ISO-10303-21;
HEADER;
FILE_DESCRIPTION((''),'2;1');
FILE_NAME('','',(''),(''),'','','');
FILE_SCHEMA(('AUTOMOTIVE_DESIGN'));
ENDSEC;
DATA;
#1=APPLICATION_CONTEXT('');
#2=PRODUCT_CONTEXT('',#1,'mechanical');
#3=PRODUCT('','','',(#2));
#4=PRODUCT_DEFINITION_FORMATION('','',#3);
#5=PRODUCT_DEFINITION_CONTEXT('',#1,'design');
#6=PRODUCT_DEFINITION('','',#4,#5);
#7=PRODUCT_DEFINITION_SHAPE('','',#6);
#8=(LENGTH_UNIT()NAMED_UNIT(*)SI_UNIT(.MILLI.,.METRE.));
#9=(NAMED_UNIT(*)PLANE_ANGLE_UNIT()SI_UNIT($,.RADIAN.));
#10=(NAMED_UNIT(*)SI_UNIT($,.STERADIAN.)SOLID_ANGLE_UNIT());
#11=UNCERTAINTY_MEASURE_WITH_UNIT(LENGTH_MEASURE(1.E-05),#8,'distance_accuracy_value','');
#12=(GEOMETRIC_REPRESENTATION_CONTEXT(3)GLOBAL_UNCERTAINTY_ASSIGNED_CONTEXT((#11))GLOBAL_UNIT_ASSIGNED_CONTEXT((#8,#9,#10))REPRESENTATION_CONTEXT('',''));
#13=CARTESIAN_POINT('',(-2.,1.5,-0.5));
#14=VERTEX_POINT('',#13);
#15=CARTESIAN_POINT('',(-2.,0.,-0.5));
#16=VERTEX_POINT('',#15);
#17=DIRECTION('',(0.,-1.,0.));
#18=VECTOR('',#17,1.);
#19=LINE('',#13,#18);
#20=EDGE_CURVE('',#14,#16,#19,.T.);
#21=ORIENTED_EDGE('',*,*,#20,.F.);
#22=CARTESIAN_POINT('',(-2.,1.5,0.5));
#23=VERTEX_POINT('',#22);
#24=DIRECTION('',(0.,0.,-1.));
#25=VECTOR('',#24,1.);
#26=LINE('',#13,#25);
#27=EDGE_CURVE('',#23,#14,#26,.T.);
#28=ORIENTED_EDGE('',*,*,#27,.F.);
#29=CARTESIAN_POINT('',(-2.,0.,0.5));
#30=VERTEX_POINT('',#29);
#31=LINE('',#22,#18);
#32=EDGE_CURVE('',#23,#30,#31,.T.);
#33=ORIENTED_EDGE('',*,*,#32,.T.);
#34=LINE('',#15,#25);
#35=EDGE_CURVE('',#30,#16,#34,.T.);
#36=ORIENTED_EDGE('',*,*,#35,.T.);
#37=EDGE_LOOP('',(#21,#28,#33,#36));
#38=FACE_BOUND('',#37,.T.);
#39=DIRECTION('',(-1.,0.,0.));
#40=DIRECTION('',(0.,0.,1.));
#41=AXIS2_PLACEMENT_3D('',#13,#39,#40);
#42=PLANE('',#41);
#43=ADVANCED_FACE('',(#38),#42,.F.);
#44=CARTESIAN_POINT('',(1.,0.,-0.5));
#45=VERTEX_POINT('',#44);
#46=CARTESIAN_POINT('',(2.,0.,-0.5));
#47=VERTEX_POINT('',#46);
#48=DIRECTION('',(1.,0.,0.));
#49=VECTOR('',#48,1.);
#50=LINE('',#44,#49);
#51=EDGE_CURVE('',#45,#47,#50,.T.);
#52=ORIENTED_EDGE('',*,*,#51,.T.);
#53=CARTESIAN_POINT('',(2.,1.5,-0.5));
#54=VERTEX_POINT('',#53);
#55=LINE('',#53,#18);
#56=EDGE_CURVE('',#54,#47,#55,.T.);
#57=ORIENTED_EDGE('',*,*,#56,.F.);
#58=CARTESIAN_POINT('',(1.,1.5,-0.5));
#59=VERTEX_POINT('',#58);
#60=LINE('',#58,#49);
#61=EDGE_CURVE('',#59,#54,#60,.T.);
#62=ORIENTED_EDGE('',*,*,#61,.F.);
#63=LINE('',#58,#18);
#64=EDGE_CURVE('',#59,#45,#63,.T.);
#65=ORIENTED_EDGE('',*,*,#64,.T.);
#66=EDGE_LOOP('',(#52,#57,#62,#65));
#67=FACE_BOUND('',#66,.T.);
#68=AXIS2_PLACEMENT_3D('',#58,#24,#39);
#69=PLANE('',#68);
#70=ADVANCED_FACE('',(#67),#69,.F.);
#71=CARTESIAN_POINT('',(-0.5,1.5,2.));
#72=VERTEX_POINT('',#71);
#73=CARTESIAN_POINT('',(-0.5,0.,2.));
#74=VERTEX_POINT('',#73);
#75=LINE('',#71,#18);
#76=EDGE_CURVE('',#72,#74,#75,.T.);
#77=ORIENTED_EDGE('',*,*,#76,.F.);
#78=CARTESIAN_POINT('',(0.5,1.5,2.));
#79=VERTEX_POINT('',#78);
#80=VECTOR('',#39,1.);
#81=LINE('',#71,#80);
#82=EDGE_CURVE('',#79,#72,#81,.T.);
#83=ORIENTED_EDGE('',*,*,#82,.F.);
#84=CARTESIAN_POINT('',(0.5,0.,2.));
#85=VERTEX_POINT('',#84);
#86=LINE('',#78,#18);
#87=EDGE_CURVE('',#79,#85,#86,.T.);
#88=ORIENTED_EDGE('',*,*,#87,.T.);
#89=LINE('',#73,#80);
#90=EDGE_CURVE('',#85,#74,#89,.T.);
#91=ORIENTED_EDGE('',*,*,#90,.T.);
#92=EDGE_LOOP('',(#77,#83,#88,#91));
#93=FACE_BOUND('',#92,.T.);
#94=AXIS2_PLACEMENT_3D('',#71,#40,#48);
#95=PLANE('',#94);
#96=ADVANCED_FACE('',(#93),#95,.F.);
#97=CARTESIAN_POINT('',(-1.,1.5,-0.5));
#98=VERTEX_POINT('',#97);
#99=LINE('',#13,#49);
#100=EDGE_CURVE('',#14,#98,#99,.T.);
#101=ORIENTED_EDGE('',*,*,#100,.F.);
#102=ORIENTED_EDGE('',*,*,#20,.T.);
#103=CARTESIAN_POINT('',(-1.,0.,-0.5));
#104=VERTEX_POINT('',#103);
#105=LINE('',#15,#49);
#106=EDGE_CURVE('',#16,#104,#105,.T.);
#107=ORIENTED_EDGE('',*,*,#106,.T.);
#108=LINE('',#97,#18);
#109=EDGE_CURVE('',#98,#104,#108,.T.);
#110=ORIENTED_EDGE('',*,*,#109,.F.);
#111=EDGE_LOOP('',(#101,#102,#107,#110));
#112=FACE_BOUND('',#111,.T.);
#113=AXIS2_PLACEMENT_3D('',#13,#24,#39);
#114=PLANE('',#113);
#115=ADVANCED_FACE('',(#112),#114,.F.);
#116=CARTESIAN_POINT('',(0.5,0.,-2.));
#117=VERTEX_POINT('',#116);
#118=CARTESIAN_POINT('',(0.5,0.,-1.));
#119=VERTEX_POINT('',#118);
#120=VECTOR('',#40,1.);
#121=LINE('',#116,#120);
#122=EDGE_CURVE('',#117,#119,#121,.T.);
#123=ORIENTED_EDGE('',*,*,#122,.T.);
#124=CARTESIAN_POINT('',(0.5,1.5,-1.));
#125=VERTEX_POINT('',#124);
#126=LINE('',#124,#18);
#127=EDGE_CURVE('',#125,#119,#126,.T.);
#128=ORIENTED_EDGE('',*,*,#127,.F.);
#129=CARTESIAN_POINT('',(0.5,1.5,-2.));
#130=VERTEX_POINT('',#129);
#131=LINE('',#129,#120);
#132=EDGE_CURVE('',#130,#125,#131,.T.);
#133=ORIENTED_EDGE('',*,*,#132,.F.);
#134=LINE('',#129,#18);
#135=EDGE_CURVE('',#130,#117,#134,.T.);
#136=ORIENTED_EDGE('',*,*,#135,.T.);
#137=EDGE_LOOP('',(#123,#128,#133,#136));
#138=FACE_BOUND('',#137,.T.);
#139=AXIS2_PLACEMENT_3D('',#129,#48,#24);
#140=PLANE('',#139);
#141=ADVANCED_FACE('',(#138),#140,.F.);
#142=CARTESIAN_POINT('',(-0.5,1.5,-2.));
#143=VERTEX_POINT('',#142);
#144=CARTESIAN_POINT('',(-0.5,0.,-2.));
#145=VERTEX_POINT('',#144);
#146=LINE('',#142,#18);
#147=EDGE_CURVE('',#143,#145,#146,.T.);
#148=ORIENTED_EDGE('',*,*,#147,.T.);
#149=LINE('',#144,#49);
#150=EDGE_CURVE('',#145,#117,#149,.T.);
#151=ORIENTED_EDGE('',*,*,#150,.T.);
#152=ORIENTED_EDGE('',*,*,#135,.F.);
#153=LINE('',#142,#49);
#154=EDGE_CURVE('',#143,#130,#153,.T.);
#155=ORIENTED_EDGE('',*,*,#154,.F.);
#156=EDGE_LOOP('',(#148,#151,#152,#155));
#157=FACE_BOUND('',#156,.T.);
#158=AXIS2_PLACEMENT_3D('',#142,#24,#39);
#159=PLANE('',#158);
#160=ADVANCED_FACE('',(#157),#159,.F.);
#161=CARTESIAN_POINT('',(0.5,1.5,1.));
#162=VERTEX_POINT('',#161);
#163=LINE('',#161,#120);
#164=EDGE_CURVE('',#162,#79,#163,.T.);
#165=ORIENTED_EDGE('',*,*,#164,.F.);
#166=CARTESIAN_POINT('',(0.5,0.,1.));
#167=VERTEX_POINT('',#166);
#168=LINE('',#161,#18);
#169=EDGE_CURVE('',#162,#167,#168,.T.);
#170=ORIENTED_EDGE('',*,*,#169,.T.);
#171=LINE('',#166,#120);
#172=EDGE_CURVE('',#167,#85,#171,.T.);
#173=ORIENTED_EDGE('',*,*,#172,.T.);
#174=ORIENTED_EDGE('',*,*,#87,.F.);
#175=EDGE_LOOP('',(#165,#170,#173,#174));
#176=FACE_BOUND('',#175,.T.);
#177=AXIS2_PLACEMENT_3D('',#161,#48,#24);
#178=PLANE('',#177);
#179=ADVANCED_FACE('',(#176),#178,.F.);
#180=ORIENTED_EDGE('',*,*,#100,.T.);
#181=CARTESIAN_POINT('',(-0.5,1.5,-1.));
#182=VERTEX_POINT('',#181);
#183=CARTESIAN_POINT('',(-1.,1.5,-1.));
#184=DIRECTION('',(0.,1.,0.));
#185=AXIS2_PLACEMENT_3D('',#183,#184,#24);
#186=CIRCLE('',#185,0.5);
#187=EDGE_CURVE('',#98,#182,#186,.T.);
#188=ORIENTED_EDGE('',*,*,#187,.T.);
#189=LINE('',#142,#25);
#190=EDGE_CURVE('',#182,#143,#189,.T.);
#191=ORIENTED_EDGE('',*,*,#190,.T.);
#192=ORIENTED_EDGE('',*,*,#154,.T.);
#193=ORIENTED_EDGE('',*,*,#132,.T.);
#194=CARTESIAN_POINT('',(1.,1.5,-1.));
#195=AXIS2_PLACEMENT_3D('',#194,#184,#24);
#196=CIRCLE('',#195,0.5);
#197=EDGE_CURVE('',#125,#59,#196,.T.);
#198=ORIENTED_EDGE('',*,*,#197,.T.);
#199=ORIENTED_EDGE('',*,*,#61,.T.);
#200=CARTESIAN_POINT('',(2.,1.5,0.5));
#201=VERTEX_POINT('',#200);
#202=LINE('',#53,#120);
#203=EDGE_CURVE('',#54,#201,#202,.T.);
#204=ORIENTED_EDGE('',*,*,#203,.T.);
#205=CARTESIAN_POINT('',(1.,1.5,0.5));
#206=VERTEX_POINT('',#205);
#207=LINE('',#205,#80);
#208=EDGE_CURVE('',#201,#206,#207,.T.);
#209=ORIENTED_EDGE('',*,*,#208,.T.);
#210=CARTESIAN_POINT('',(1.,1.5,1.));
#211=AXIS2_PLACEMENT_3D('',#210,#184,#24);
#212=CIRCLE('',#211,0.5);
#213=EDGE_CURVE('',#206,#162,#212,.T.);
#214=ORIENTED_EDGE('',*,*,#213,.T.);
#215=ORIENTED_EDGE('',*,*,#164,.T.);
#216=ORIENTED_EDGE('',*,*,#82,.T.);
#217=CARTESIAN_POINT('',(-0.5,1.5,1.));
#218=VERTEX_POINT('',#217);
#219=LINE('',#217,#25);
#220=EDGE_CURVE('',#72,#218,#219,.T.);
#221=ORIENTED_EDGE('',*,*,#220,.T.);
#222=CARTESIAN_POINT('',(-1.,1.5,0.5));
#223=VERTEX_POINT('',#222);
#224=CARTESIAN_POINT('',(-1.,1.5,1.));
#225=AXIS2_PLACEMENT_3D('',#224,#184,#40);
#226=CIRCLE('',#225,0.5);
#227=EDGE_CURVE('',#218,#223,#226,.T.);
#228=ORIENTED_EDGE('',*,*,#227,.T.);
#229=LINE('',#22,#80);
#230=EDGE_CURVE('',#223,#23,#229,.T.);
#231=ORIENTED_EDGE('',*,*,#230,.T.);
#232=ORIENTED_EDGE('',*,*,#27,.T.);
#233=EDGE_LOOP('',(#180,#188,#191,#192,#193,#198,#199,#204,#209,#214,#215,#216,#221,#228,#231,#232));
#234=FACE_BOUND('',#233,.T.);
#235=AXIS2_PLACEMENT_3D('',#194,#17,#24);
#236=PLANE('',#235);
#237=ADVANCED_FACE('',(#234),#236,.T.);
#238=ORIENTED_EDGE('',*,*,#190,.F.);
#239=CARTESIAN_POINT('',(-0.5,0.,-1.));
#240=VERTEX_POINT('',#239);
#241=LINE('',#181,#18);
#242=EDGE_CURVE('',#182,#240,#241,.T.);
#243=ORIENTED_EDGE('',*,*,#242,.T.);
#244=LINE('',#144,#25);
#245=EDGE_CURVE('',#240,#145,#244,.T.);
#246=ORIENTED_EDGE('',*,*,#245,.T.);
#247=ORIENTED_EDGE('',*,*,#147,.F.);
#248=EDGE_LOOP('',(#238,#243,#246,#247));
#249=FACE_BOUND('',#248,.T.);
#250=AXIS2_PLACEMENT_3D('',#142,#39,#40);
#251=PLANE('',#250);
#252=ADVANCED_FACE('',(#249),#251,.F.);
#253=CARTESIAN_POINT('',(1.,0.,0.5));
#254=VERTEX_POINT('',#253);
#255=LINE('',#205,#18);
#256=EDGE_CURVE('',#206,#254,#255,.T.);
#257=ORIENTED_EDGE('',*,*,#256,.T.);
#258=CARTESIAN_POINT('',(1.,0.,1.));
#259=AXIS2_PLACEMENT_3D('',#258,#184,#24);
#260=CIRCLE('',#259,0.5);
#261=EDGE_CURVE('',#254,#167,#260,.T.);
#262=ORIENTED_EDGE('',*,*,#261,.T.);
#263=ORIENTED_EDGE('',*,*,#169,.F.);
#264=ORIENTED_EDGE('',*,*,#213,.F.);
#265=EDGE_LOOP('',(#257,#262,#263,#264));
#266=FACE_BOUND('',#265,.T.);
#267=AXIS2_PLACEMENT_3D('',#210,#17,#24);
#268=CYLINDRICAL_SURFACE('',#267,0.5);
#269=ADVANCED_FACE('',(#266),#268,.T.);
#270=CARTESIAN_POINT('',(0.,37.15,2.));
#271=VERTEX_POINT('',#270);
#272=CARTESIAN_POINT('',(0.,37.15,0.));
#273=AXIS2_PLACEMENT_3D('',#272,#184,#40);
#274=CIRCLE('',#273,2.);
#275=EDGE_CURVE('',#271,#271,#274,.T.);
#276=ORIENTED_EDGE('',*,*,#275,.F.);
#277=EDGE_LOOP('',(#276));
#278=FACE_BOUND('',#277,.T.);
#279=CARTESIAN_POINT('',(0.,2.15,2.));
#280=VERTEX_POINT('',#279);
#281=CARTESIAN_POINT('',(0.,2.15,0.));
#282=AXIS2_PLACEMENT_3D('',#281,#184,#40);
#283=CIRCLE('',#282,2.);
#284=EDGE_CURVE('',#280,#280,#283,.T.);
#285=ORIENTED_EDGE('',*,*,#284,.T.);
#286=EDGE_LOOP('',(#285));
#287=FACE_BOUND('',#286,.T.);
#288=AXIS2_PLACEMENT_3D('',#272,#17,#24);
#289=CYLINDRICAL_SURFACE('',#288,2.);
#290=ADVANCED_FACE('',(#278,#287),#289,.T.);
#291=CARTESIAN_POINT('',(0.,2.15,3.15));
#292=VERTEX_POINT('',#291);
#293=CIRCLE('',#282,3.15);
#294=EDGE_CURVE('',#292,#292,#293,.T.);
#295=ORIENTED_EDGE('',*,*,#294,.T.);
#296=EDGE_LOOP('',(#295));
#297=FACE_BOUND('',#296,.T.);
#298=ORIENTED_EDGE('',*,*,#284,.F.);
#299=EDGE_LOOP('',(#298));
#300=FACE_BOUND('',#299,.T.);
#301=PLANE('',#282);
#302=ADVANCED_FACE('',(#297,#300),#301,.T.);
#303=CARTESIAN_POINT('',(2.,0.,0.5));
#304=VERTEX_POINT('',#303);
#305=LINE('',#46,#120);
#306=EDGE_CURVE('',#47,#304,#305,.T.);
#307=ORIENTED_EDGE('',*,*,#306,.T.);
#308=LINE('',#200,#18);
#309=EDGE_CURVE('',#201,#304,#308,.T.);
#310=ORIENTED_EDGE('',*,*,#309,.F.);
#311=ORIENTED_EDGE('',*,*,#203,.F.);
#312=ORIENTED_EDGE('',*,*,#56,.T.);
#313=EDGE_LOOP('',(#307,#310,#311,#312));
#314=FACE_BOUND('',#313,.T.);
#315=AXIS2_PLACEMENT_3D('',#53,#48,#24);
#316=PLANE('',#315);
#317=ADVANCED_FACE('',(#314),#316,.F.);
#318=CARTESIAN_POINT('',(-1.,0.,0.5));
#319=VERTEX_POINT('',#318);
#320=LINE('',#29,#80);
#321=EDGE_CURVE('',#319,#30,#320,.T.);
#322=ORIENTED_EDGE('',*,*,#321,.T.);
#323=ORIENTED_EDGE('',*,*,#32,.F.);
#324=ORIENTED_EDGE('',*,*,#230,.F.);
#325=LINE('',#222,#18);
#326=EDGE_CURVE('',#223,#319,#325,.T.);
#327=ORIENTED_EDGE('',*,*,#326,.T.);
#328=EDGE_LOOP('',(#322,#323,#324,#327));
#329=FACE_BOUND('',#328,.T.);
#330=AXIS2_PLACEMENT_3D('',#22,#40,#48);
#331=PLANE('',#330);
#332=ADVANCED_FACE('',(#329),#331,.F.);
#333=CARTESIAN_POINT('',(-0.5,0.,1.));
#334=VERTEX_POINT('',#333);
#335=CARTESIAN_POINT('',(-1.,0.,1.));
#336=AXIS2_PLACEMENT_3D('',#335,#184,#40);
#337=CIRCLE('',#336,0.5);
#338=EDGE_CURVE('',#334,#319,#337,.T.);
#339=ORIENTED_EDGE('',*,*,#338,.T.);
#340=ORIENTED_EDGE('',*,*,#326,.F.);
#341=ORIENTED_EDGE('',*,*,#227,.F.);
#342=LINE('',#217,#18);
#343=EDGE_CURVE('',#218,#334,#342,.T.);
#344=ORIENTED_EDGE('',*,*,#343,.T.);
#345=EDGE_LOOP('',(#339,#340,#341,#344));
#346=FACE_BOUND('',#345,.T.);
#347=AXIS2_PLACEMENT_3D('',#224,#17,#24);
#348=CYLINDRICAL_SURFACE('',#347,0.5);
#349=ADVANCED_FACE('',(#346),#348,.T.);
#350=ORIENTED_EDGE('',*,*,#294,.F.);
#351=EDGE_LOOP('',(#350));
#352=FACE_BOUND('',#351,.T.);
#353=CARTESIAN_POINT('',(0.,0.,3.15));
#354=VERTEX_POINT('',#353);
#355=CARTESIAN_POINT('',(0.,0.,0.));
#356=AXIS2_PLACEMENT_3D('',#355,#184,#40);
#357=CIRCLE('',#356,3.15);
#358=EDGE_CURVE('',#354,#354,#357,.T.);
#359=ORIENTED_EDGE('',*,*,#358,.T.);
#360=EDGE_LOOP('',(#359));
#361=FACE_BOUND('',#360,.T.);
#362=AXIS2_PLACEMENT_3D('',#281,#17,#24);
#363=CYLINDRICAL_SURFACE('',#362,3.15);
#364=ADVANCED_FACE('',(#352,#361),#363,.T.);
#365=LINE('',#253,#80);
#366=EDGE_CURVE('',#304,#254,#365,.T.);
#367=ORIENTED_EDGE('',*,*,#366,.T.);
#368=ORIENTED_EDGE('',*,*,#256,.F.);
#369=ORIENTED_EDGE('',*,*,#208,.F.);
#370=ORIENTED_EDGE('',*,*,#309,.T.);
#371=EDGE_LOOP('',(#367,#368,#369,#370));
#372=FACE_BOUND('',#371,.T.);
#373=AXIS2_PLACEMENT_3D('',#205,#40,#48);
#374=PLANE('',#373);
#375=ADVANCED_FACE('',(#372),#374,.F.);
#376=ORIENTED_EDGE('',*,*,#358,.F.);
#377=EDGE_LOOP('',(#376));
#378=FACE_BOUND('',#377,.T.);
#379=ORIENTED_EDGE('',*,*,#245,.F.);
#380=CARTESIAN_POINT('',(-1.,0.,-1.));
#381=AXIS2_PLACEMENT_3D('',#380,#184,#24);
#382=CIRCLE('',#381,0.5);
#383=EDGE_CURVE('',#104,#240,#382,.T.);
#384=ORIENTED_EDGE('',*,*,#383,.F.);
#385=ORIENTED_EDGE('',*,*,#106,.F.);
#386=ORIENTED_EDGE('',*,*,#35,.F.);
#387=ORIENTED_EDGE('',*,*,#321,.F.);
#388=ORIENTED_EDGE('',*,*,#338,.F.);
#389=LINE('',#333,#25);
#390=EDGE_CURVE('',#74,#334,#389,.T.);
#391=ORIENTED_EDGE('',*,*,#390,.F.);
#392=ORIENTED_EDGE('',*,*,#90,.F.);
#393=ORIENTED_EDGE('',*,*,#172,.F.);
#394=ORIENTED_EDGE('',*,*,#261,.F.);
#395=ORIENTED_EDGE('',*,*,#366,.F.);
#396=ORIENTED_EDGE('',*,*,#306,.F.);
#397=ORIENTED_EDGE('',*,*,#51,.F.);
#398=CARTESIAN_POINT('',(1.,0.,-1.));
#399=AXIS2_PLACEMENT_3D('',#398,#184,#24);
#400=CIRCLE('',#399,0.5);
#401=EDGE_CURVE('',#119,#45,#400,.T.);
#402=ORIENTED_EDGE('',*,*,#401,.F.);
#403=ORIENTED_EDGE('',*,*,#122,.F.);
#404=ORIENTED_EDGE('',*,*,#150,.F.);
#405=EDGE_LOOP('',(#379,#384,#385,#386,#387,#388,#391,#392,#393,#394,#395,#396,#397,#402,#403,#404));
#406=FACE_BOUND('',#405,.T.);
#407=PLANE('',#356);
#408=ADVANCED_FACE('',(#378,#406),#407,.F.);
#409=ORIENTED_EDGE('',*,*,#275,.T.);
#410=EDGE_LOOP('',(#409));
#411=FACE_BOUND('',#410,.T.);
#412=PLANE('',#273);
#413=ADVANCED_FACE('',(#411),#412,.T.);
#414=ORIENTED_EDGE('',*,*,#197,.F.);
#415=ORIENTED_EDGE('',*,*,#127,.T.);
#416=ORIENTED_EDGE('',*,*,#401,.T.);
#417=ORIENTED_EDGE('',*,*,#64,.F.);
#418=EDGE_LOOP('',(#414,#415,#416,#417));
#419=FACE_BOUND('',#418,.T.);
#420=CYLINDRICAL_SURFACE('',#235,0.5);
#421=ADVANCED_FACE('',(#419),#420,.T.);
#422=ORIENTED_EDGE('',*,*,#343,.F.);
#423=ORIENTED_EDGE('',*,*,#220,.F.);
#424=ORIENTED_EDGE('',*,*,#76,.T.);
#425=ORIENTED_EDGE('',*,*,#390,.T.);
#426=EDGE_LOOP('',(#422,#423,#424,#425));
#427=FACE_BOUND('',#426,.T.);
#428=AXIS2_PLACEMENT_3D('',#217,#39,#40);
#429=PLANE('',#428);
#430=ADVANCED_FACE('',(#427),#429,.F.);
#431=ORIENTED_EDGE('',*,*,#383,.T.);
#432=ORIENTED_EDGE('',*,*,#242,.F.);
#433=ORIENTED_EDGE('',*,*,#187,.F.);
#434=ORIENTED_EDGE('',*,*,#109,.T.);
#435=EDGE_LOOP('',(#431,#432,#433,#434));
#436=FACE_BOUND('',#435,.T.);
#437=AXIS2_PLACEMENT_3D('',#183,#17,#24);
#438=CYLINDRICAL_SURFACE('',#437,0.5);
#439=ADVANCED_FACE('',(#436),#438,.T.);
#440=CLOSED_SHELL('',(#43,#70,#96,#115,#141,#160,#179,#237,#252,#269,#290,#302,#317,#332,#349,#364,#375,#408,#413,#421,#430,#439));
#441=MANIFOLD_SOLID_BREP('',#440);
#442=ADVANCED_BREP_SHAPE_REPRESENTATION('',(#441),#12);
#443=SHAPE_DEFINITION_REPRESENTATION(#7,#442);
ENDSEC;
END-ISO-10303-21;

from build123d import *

# Parameters (mm, degrees)
SKETCH_1_R          = 3.15
EXTRUDE_1_DEPTH     = 2.15
SKETCH_2_R          = 2
EXTRUDE_2_DEPTH     = 35
CUT_EXTRUDE_1_DEPTH = 1.5


with BuildPart() as part:
    # 草图1 → 凸台-拉伸1 (new body)
    with BuildSketch(Plane(origin=(0, 0, 0), x_dir=(1, 0, 0), z_dir=(0, 1, 0))):
        Circle(SKETCH_1_R)
    extrude(amount=EXTRUDE_1_DEPTH)

    # 草图2 → 凸台-拉伸2 (add)
    with BuildSketch(Plane(origin=(0, 2.15, 0), x_dir=(1, 0, 0), z_dir=(0, 1, 0))):
        Circle(SKETCH_2_R)
    extrude(amount=EXTRUDE_2_DEPTH)

    # 草图3 → 切除-拉伸1 (cut)
    with BuildSketch(Plane.XZ):
        with BuildLine():
            Line((-0.5, 1), (-0.5, 2))
            Line((-0.5, 2), (0.5, 2))
            Line((0.5, 2), (0.5, 1))
            ThreePointArc((0.5, 1), (0.646446609, 0.646446609), (1, 0.5))
            Line((1, 0.5), (2, 0.5))
            Line((2, 0.5), (2, -0.5))
            Line((2, -0.5), (1, -0.5))
            ThreePointArc((1, -0.5), (0.646446609, -0.646446609), (0.5, -1))
            Line((0.5, -1), (0.5, -2))
            Line((0.5, -2), (-0.5, -2))
            Line((-0.5, -2), (-0.5, -1))
            ThreePointArc((-0.5, -1), (-0.646446609, -0.646446609), (-1, -0.5))
            Line((-1, -0.5), (-2, -0.5))
            Line((-2, -0.5), (-2, 0.5))
            Line((-2, 0.5), (-1, 0.5))
            ThreePointArc((-1, 0.5), (-0.646446609, 0.646446609), (-0.5, 1))
        make_face()
    extrude(amount=-CUT_EXTRUDE_1_DEPTH, mode=Mode.SUBTRACT)


solid = part.part
